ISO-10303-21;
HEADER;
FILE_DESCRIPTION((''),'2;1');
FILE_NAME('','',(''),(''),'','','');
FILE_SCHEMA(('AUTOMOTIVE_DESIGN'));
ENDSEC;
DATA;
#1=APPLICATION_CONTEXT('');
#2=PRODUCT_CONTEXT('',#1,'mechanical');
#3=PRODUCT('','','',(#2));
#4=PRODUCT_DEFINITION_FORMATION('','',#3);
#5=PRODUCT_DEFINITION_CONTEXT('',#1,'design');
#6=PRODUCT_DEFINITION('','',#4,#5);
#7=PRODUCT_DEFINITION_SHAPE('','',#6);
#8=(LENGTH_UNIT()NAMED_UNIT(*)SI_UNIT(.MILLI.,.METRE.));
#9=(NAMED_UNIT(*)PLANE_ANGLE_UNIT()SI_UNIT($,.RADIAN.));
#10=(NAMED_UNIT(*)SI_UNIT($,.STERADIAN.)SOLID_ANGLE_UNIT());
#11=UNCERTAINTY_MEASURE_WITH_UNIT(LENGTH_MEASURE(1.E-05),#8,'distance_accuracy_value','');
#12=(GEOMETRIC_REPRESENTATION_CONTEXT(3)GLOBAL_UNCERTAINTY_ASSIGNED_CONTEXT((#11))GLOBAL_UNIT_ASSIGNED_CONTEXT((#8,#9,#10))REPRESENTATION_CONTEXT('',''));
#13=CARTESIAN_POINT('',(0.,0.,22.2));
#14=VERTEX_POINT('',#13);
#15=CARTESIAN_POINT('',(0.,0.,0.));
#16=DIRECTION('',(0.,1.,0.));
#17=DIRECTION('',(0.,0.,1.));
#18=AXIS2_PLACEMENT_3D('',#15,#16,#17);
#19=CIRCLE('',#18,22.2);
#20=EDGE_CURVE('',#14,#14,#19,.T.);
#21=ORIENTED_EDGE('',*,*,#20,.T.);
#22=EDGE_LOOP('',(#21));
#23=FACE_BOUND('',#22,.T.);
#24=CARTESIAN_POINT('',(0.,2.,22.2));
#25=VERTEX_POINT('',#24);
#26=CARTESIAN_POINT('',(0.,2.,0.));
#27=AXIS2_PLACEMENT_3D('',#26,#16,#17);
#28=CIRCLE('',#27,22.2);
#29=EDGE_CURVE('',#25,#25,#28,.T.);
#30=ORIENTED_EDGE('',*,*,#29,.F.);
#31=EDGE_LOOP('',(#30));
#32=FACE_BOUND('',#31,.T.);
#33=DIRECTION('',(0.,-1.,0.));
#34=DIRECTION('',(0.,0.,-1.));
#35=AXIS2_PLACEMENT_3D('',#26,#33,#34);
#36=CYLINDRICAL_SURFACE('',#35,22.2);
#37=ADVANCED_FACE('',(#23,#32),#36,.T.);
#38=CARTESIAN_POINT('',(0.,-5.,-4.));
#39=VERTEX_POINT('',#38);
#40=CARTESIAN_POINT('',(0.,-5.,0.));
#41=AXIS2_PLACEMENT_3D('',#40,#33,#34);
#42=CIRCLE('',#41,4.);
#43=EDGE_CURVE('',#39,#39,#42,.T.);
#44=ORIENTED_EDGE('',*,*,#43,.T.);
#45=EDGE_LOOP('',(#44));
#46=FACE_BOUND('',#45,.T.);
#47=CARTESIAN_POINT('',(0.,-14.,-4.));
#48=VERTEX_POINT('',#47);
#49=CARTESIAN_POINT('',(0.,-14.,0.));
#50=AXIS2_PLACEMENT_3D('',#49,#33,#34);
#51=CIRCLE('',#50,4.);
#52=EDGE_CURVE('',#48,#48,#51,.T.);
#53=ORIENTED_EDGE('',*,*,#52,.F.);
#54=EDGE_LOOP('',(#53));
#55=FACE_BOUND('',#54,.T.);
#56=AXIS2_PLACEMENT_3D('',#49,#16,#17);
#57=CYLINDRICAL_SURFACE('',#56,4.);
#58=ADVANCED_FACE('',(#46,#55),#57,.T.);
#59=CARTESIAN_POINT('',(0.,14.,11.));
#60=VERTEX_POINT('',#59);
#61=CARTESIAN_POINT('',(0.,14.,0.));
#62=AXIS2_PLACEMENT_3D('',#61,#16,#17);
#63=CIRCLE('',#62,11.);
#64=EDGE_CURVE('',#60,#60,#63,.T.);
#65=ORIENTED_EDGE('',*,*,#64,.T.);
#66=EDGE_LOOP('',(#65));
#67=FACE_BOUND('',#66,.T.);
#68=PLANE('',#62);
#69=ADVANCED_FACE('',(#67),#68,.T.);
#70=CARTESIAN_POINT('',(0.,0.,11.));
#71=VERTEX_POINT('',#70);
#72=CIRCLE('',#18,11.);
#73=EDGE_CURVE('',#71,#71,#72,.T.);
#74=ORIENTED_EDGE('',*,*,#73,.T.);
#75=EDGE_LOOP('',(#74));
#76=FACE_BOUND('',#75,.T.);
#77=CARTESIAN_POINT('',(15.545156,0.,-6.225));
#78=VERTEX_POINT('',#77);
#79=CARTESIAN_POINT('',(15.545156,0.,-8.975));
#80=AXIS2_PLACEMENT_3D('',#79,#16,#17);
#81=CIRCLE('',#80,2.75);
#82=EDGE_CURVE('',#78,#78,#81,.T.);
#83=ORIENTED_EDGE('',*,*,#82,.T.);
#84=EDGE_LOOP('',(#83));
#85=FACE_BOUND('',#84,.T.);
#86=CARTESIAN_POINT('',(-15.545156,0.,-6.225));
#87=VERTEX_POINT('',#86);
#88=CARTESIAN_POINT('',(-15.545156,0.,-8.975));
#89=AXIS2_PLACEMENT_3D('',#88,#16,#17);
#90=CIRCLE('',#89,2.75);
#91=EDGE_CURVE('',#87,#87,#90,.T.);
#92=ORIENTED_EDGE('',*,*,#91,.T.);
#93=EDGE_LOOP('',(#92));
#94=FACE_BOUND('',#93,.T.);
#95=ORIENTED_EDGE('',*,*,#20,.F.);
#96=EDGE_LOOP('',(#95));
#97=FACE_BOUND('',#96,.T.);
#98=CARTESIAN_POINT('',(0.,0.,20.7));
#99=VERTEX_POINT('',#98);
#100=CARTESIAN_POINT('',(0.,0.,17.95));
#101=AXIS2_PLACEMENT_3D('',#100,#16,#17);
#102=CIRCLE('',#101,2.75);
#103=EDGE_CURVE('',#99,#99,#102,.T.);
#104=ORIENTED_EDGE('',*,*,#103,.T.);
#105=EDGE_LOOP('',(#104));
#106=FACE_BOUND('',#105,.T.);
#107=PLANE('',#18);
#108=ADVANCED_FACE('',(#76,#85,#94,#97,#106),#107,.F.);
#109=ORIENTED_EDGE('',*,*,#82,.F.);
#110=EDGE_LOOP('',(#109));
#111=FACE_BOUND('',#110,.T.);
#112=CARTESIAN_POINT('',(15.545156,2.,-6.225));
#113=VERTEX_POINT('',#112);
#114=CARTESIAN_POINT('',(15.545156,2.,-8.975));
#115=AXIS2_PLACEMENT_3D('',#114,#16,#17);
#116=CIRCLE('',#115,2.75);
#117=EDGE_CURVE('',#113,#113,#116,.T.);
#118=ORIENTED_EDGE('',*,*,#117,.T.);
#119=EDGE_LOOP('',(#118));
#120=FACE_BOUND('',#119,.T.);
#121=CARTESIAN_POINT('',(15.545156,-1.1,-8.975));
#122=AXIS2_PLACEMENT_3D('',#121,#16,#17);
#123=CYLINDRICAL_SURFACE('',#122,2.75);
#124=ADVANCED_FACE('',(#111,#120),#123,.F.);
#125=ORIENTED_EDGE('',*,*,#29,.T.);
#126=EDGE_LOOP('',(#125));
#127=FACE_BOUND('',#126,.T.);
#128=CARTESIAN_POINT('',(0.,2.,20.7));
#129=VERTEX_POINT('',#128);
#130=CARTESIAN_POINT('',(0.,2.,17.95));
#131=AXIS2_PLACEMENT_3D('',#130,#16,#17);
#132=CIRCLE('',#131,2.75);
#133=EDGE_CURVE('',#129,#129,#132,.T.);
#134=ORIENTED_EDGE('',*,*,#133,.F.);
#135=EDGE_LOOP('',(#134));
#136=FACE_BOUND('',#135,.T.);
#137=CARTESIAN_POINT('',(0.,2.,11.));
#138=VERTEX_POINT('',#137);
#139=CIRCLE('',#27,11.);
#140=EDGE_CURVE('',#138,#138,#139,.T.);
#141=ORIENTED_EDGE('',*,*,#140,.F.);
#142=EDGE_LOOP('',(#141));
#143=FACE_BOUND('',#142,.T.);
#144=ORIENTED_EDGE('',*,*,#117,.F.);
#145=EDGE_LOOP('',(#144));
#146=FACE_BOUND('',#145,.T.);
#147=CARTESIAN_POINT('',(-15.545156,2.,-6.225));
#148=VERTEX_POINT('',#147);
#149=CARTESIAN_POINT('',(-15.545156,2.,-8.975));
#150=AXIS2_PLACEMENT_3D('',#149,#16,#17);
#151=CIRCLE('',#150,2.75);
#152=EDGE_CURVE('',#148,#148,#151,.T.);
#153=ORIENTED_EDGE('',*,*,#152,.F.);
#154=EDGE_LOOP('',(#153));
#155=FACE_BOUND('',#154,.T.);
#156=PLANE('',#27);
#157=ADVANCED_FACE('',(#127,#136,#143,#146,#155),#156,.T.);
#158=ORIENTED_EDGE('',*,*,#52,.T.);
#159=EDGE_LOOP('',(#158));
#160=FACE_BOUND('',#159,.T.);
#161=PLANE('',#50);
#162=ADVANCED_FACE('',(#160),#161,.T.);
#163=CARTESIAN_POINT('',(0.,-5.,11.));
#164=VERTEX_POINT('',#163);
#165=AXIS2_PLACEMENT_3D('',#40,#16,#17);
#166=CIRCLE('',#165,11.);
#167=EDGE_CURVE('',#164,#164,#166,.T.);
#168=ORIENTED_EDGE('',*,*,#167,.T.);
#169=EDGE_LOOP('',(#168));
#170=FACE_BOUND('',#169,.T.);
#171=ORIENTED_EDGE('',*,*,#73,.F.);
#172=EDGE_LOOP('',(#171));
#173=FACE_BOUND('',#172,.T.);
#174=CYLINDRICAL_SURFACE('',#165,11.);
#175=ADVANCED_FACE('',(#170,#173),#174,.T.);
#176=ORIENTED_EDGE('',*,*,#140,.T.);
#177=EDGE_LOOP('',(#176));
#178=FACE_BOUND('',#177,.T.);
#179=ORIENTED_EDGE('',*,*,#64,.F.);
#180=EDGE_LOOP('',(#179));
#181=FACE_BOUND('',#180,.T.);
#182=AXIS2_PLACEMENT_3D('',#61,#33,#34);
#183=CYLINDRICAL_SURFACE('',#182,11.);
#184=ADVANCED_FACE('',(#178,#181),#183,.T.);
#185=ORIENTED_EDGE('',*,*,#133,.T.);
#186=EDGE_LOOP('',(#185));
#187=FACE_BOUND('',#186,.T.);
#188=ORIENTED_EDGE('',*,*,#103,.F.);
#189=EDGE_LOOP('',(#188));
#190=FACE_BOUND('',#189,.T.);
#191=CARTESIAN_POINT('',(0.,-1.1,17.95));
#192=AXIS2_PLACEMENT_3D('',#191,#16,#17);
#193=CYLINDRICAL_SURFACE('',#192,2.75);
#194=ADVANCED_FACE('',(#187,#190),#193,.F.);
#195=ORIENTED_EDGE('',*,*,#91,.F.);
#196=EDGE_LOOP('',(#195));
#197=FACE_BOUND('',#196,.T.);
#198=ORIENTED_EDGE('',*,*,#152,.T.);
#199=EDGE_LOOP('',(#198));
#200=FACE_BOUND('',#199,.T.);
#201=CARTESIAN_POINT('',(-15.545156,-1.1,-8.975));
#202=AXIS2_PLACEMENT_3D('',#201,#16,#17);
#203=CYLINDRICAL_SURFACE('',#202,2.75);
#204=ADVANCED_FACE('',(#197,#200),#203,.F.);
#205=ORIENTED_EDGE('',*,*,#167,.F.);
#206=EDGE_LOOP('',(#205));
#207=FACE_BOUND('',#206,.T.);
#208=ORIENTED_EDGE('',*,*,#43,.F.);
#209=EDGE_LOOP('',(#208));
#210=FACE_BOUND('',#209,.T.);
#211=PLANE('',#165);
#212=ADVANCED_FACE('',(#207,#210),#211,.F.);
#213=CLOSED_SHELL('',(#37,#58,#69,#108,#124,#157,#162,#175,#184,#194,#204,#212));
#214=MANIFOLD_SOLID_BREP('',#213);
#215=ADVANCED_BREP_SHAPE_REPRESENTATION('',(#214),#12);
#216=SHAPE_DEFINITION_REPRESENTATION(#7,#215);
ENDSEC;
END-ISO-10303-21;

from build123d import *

# Parameters (mm, degrees)
SKETCH1_R           = 22.2
BOSS_EXTRUDE1_DEPTH = 2
SKETCH2_R           = 11
BOSS_EXTRUDE2_DEPTH = 12
BOSS_EXTRUDE3_START = -7
SKETCH2_2_R         = 11
BOSS_EXTRUDE3_DEPTH = 7
SKETCH3_R           = 4
BOSS_EXTRUDE4_DEPTH = 9
SKETCH4_R           = 2.75
CUT_EXTRUDE1_DEPTH  = 3.1


with BuildPart() as part:
    # Sketch1 → Boss-Extrude1 (new body)
    with BuildSketch(Plane(origin=(0, 0, 0), x_dir=(1, 0, 0), z_dir=(0, 1, 0))):
        Circle(SKETCH1_R)
    extrude(amount=BOSS_EXTRUDE1_DEPTH)

    # Sketch2 → Boss-Extrude2 (add)
    with BuildSketch(Plane(origin=(0, 2, 0), x_dir=(1, 0, 0), z_dir=(0, 1, 0))):
        Circle(SKETCH2_R)
    extrude(amount=BOSS_EXTRUDE2_DEPTH)

    # Sketch2<2> → Boss-Extrude3 (add)
    with BuildSketch(Plane(origin=(0, 2, 0), x_dir=(1, 0, 0), z_dir=(0, 1, 0)).offset(BOSS_EXTRUDE3_START)):
        Circle(SKETCH2_2_R)
    extrude(amount=BOSS_EXTRUDE3_DEPTH)

    # Sketch3 → Boss-Extrude4 (add)
    with BuildSketch(Plane.XZ.offset(5)):
        Circle(SKETCH3_R)
    extrude(amount=BOSS_EXTRUDE4_DEPTH)

    # Sketch4 → Cut-Extrude1 (cut)
    with BuildSketch(Plane(origin=(0, 2, 0), x_dir=(1, 0, 0), z_dir=(0, 1, 0))):
        with Locations((0, -17.95)):
            Circle(SKETCH4_R)
        with Locations((-15.545155998, 8.975)):
            Circle(SKETCH4_R)
        with Locations((15.545155998, 8.975)):
            Circle(SKETCH4_R)
    extrude(amount=-CUT_EXTRUDE1_DEPTH, mode=Mode.SUBTRACT)


solid = part.part
